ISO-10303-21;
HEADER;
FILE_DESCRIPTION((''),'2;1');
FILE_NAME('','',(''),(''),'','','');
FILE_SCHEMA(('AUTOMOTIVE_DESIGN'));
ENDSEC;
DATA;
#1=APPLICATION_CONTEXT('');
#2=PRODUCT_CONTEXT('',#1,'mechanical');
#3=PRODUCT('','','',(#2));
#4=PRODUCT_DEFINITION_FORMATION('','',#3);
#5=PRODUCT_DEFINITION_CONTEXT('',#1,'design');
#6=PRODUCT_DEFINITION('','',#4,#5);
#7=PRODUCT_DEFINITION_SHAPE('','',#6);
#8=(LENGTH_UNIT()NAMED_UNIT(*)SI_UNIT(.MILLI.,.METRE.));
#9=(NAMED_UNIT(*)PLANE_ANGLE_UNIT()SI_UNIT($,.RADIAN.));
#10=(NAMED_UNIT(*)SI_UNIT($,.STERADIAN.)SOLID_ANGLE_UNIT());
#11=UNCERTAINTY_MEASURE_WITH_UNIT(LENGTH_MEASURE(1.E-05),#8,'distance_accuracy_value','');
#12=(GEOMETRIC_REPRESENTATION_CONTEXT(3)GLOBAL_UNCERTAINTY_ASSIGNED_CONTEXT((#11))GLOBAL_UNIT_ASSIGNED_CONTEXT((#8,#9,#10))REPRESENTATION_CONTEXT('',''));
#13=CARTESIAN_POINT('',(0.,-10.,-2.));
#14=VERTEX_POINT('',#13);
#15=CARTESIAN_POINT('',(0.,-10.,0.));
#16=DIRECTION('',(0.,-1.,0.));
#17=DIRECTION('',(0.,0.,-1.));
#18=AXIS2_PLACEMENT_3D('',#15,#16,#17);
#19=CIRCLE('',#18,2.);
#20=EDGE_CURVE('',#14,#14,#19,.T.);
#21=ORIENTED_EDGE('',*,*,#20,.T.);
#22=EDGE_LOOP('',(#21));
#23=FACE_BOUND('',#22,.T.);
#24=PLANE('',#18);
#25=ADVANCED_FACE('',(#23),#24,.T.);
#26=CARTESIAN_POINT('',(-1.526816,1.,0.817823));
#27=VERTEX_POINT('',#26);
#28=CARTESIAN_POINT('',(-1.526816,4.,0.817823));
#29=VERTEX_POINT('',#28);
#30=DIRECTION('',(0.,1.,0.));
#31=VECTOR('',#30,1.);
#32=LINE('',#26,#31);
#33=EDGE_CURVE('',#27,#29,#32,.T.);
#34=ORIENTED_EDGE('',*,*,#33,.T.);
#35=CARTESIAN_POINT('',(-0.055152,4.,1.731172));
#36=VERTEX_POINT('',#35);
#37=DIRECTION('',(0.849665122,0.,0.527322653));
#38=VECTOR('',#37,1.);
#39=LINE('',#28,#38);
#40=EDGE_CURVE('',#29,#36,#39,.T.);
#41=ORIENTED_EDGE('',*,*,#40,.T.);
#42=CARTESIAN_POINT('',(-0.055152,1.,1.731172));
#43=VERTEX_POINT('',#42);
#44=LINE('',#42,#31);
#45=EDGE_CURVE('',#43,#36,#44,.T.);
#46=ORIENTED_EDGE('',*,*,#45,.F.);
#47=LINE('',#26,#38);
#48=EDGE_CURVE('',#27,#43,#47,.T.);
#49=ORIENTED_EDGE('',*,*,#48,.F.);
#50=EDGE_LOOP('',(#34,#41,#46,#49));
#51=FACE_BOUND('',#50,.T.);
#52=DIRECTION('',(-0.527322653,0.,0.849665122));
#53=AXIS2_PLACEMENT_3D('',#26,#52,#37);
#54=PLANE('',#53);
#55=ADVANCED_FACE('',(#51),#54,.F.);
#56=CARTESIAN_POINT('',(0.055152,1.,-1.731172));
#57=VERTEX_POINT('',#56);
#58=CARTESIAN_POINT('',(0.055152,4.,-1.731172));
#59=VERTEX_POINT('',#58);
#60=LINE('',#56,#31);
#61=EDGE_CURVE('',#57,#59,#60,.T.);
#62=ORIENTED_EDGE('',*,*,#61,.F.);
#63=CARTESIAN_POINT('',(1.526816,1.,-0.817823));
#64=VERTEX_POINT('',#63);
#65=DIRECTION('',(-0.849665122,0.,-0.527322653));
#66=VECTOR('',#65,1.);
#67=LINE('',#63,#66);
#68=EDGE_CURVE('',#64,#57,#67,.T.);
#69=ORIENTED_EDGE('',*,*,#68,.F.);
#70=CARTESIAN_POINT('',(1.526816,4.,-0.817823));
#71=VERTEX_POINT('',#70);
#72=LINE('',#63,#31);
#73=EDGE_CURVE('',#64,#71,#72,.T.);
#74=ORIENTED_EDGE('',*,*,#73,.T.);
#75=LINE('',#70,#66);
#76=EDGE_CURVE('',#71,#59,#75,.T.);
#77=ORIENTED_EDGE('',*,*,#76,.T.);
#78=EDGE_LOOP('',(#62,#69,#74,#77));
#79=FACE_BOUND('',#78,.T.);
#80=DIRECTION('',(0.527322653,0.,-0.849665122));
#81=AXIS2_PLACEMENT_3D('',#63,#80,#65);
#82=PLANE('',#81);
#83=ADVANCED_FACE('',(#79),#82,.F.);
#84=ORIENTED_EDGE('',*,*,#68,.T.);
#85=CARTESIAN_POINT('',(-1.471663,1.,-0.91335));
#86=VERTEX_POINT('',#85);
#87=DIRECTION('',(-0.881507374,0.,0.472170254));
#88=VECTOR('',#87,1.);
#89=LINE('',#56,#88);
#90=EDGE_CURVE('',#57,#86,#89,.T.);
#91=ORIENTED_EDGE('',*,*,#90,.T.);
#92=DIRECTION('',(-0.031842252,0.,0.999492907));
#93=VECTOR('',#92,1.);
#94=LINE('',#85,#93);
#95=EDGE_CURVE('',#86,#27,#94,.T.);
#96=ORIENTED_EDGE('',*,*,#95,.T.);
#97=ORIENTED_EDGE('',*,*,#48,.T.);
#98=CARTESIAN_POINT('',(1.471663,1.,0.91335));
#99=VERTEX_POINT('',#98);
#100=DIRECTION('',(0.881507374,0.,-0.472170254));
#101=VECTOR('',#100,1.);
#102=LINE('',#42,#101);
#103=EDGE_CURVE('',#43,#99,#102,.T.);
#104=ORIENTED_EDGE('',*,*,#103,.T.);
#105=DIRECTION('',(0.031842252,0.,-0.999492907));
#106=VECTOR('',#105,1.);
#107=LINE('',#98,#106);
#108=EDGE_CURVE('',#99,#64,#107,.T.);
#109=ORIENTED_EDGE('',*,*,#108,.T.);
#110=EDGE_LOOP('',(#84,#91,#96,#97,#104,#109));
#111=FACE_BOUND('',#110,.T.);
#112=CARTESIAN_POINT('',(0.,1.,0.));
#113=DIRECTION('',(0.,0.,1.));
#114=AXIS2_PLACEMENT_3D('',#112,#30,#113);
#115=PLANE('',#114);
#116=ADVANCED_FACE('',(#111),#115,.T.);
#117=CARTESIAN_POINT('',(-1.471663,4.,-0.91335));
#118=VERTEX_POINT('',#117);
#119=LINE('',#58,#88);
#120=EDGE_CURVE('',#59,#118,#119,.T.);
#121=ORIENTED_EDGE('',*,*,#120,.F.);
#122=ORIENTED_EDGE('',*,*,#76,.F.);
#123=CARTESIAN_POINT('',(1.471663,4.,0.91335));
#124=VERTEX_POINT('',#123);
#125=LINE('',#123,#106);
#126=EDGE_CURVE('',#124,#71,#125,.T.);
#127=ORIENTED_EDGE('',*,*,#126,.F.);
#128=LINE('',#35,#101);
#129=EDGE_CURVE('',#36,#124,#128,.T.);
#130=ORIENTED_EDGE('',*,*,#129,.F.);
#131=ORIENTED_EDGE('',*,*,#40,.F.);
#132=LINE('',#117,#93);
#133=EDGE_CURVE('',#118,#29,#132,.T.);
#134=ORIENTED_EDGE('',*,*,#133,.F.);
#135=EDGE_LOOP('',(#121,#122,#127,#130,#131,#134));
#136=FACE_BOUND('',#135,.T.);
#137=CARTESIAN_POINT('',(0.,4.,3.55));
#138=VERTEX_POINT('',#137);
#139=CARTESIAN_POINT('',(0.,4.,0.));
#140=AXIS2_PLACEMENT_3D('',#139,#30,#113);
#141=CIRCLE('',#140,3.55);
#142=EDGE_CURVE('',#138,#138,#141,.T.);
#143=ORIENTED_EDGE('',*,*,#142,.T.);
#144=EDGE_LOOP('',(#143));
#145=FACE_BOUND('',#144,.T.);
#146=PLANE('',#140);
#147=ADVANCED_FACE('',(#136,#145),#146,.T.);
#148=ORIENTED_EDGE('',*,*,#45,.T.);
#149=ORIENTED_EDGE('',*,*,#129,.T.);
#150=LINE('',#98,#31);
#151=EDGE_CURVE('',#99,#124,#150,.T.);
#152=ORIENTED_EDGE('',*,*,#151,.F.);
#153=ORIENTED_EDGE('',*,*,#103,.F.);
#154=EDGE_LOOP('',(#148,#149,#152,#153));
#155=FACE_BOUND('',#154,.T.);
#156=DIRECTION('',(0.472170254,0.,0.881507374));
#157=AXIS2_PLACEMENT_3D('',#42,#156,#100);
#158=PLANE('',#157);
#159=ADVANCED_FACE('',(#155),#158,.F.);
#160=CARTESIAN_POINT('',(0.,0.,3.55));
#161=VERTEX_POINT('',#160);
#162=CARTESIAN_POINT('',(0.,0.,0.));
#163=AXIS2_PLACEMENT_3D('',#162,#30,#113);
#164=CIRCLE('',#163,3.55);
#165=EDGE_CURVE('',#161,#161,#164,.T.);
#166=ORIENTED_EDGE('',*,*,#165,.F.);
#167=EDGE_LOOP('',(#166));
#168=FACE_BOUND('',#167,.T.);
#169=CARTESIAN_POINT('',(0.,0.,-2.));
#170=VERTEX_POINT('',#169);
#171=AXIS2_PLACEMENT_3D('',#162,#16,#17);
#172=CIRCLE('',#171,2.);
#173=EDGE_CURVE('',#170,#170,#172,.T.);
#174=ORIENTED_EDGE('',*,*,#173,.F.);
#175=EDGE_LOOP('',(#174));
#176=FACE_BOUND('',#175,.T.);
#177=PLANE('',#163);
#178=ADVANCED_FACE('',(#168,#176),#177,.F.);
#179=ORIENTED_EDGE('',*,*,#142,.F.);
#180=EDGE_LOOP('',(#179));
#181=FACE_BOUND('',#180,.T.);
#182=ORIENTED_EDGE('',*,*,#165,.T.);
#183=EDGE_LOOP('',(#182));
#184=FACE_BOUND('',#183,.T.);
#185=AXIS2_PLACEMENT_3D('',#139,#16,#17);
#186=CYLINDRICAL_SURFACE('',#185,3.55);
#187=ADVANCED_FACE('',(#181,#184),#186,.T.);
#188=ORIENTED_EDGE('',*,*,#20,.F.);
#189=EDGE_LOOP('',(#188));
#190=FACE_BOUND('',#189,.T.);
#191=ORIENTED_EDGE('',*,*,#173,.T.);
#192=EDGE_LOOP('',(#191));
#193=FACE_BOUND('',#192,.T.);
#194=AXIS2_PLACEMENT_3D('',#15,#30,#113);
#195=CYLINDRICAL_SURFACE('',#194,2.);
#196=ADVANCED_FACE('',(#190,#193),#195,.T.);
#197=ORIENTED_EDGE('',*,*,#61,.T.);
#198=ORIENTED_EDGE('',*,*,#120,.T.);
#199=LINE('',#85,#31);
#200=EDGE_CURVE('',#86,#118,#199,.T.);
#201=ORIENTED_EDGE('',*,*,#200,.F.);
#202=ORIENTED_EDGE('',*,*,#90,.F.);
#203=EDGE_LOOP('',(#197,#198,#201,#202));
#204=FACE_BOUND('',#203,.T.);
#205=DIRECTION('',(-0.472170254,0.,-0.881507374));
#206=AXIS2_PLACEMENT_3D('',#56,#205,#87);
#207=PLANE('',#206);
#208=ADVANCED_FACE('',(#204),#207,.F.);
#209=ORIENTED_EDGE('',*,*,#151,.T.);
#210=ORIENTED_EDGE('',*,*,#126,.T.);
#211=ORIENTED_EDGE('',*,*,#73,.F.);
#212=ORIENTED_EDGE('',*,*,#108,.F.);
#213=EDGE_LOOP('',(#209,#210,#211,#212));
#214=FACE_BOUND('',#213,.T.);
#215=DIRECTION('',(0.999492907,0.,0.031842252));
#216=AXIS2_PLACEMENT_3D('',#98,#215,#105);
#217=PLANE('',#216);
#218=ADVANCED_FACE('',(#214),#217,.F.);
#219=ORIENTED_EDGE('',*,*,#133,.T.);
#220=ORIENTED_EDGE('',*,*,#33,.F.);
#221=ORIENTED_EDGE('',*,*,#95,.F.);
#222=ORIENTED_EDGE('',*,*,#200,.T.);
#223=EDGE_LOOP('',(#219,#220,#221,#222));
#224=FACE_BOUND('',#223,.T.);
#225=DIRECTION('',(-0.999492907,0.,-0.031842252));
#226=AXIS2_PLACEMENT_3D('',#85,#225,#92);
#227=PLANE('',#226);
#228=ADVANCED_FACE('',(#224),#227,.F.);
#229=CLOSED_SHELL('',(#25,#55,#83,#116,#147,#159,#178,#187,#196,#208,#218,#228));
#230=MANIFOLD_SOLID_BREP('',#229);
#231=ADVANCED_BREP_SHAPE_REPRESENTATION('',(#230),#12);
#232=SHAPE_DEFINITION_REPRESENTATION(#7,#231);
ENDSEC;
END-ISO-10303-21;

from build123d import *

# Parameters (mm, degrees)
SKETCH1_R           = 3.55
BOSS_EXTRUDE1_DEPTH = 4
SKETCH2_R           = 2
BOSS_EXTRUDE2_DEPTH = 10
CUT_EXTRUDE1_DEPTH  = 3


with BuildPart() as part:
    # Sketch1 → Boss-Extrude1 (new body)
    with BuildSketch(Plane(origin=(0, 0, 0), x_dir=(1, 0, 0), z_dir=(0, 1, 0))):
        with Locations(Location((0, 0, 0), (0, 0, 270))):
            Circle(SKETCH1_R)
    extrude(amount=BOSS_EXTRUDE1_DEPTH)

    # Sketch2 → Boss-Extrude2 (add)
    with BuildSketch(Plane.XZ):
        with Locations(Location((0, 0, 0), (0, 0, 270))):
            Circle(SKETCH2_R)
    extrude(amount=BOSS_EXTRUDE2_DEPTH)

    # Sketch3 → Cut-Extrude1 (cut)
    with BuildSketch(Plane(origin=(0, 4, 0), x_dir=(1, 0, 0), z_dir=(0, 1, 0))):
        Polygon((0.055152398, 1.731172497), (-1.471663161, 0.913349626), (-1.526815559, -0.81782287), (-0.055152398, -1.731172497), (1.471663161, -0.913349626), (1.526815559, 0.81782287), align=None)
    extrude(amount=-CUT_EXTRUDE1_DEPTH, mode=Mode.SUBTRACT)


solid = part.part
